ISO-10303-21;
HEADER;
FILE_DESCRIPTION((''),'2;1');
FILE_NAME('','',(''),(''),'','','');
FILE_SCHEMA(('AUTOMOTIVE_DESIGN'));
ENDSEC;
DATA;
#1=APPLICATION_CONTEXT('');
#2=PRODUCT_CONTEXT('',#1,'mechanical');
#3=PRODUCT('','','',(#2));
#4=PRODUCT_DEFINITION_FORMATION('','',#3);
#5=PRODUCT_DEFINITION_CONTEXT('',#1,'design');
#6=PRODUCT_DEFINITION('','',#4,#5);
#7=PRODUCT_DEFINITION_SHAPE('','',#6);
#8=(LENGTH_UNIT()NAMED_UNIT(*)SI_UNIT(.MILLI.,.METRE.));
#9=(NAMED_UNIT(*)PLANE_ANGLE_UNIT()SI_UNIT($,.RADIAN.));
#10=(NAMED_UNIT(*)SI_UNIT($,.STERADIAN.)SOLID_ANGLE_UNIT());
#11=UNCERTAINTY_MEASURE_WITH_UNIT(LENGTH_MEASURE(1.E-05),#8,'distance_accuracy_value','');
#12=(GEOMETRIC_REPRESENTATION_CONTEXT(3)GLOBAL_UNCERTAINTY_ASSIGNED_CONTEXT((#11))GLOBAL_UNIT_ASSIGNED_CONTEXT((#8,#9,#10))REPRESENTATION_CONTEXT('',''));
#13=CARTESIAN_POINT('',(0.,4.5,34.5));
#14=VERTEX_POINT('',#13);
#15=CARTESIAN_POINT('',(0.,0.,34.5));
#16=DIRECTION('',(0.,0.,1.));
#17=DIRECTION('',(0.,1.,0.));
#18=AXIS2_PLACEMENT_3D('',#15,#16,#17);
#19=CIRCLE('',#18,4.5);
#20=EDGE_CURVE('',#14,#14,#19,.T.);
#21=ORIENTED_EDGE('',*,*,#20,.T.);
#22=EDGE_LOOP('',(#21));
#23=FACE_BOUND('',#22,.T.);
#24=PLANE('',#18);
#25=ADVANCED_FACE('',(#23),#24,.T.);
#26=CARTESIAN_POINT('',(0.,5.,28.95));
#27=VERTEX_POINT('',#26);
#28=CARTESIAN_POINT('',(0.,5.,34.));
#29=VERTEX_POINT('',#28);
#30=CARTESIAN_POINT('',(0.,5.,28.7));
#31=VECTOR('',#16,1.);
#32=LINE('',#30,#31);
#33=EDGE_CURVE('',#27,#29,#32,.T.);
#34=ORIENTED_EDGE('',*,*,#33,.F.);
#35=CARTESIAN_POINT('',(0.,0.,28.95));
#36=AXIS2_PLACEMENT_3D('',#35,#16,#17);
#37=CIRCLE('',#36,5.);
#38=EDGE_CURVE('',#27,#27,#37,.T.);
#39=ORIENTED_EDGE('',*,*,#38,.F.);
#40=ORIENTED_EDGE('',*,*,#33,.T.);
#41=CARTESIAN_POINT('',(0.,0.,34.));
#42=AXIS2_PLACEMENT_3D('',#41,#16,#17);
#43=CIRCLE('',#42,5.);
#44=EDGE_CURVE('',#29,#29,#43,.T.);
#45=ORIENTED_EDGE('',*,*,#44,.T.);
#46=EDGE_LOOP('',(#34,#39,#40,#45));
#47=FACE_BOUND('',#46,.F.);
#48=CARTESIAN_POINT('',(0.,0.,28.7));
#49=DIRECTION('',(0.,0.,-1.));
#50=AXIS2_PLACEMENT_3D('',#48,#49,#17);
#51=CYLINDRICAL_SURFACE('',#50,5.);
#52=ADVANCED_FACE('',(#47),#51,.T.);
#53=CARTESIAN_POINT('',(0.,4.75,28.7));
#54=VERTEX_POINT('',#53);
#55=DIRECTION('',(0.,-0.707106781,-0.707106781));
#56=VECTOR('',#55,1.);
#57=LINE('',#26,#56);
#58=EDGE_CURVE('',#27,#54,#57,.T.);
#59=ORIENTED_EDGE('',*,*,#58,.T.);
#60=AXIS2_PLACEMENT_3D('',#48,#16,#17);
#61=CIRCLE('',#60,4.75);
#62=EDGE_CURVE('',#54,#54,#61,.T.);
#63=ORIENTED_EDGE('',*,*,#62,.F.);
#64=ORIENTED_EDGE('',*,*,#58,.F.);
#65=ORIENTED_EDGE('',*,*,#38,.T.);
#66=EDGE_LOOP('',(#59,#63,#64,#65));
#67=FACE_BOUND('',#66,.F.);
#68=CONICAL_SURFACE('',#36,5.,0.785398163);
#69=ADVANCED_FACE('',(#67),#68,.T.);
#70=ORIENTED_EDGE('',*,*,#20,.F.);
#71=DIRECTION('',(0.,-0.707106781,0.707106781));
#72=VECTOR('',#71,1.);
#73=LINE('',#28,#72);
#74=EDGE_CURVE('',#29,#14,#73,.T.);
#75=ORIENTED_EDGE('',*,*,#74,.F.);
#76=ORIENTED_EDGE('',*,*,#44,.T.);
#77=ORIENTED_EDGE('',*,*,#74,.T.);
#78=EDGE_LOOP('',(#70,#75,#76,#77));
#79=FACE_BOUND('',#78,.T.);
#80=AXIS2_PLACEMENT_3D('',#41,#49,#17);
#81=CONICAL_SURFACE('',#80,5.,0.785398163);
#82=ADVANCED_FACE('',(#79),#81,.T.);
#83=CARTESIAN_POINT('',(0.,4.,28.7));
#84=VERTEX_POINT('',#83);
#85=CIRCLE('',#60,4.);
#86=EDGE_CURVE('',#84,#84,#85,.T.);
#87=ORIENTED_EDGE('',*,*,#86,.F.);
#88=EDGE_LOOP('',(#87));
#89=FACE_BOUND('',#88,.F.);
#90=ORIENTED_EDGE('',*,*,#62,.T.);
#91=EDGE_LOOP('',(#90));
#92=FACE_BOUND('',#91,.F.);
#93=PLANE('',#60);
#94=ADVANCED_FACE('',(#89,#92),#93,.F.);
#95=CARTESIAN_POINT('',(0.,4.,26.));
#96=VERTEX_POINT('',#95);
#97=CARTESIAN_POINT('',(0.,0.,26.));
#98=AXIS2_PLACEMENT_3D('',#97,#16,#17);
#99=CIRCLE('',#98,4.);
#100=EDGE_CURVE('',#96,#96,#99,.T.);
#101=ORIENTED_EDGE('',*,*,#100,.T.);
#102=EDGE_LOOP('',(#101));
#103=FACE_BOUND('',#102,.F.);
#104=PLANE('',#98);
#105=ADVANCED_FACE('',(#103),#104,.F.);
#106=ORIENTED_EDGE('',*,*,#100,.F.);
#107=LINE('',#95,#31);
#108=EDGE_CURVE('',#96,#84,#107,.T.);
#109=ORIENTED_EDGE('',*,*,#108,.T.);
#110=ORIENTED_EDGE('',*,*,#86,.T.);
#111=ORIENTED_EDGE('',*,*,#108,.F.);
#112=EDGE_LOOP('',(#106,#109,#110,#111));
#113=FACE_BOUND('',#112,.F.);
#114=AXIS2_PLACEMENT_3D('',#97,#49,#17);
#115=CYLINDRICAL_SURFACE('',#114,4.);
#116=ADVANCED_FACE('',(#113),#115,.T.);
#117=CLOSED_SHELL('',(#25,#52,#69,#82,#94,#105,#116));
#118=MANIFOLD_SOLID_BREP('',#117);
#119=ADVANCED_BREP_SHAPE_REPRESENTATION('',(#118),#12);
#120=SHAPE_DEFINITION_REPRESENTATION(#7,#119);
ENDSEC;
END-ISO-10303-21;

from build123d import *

# Parameters (mm, degrees)
SKETCH004_R     = 4
PAD003_DEPTH    = 2.7
SKETCH005_R     = 5
PAD004_DEPTH    = 5.8
CHAMFER_SIZE    = 0.5
CHAMFER002_SIZE = 0.25


with BuildPart() as part:
    # Sketch004 (on Face1 of CopySubtractivePipe) → Pad003 (new body)
    with BuildSketch(Plane(origin=(0, 0, 26), x_dir=(0, 1, 0), z_dir=(0, 0, 1))):
        Circle(SKETCH004_R)
    extrude(amount=PAD003_DEPTH)

    # Sketch005 (on Face3 of Pad003) → Pad004 (join)
    with BuildSketch(Plane(origin=(0, 0, 28.7), x_dir=(0, 1, 0), z_dir=(0, 0, 1))):
        Circle(SKETCH005_R)
    extrude(amount=PAD004_DEPTH)

    # Chamfer
    chamfer_edges = [part.edges().sort_by_distance(p)[0] for p in [
        (0, -5, 34.5),
    ]]
    chamfer(chamfer_edges, length=CHAMFER_SIZE)

    # Chamfer002
    chamfer002_edges = [part.edges().sort_by_distance(p)[0] for p in [
        (0, -5, 28.7),
    ]]
    chamfer(chamfer002_edges, length=CHAMFER002_SIZE)


solid = part.part
